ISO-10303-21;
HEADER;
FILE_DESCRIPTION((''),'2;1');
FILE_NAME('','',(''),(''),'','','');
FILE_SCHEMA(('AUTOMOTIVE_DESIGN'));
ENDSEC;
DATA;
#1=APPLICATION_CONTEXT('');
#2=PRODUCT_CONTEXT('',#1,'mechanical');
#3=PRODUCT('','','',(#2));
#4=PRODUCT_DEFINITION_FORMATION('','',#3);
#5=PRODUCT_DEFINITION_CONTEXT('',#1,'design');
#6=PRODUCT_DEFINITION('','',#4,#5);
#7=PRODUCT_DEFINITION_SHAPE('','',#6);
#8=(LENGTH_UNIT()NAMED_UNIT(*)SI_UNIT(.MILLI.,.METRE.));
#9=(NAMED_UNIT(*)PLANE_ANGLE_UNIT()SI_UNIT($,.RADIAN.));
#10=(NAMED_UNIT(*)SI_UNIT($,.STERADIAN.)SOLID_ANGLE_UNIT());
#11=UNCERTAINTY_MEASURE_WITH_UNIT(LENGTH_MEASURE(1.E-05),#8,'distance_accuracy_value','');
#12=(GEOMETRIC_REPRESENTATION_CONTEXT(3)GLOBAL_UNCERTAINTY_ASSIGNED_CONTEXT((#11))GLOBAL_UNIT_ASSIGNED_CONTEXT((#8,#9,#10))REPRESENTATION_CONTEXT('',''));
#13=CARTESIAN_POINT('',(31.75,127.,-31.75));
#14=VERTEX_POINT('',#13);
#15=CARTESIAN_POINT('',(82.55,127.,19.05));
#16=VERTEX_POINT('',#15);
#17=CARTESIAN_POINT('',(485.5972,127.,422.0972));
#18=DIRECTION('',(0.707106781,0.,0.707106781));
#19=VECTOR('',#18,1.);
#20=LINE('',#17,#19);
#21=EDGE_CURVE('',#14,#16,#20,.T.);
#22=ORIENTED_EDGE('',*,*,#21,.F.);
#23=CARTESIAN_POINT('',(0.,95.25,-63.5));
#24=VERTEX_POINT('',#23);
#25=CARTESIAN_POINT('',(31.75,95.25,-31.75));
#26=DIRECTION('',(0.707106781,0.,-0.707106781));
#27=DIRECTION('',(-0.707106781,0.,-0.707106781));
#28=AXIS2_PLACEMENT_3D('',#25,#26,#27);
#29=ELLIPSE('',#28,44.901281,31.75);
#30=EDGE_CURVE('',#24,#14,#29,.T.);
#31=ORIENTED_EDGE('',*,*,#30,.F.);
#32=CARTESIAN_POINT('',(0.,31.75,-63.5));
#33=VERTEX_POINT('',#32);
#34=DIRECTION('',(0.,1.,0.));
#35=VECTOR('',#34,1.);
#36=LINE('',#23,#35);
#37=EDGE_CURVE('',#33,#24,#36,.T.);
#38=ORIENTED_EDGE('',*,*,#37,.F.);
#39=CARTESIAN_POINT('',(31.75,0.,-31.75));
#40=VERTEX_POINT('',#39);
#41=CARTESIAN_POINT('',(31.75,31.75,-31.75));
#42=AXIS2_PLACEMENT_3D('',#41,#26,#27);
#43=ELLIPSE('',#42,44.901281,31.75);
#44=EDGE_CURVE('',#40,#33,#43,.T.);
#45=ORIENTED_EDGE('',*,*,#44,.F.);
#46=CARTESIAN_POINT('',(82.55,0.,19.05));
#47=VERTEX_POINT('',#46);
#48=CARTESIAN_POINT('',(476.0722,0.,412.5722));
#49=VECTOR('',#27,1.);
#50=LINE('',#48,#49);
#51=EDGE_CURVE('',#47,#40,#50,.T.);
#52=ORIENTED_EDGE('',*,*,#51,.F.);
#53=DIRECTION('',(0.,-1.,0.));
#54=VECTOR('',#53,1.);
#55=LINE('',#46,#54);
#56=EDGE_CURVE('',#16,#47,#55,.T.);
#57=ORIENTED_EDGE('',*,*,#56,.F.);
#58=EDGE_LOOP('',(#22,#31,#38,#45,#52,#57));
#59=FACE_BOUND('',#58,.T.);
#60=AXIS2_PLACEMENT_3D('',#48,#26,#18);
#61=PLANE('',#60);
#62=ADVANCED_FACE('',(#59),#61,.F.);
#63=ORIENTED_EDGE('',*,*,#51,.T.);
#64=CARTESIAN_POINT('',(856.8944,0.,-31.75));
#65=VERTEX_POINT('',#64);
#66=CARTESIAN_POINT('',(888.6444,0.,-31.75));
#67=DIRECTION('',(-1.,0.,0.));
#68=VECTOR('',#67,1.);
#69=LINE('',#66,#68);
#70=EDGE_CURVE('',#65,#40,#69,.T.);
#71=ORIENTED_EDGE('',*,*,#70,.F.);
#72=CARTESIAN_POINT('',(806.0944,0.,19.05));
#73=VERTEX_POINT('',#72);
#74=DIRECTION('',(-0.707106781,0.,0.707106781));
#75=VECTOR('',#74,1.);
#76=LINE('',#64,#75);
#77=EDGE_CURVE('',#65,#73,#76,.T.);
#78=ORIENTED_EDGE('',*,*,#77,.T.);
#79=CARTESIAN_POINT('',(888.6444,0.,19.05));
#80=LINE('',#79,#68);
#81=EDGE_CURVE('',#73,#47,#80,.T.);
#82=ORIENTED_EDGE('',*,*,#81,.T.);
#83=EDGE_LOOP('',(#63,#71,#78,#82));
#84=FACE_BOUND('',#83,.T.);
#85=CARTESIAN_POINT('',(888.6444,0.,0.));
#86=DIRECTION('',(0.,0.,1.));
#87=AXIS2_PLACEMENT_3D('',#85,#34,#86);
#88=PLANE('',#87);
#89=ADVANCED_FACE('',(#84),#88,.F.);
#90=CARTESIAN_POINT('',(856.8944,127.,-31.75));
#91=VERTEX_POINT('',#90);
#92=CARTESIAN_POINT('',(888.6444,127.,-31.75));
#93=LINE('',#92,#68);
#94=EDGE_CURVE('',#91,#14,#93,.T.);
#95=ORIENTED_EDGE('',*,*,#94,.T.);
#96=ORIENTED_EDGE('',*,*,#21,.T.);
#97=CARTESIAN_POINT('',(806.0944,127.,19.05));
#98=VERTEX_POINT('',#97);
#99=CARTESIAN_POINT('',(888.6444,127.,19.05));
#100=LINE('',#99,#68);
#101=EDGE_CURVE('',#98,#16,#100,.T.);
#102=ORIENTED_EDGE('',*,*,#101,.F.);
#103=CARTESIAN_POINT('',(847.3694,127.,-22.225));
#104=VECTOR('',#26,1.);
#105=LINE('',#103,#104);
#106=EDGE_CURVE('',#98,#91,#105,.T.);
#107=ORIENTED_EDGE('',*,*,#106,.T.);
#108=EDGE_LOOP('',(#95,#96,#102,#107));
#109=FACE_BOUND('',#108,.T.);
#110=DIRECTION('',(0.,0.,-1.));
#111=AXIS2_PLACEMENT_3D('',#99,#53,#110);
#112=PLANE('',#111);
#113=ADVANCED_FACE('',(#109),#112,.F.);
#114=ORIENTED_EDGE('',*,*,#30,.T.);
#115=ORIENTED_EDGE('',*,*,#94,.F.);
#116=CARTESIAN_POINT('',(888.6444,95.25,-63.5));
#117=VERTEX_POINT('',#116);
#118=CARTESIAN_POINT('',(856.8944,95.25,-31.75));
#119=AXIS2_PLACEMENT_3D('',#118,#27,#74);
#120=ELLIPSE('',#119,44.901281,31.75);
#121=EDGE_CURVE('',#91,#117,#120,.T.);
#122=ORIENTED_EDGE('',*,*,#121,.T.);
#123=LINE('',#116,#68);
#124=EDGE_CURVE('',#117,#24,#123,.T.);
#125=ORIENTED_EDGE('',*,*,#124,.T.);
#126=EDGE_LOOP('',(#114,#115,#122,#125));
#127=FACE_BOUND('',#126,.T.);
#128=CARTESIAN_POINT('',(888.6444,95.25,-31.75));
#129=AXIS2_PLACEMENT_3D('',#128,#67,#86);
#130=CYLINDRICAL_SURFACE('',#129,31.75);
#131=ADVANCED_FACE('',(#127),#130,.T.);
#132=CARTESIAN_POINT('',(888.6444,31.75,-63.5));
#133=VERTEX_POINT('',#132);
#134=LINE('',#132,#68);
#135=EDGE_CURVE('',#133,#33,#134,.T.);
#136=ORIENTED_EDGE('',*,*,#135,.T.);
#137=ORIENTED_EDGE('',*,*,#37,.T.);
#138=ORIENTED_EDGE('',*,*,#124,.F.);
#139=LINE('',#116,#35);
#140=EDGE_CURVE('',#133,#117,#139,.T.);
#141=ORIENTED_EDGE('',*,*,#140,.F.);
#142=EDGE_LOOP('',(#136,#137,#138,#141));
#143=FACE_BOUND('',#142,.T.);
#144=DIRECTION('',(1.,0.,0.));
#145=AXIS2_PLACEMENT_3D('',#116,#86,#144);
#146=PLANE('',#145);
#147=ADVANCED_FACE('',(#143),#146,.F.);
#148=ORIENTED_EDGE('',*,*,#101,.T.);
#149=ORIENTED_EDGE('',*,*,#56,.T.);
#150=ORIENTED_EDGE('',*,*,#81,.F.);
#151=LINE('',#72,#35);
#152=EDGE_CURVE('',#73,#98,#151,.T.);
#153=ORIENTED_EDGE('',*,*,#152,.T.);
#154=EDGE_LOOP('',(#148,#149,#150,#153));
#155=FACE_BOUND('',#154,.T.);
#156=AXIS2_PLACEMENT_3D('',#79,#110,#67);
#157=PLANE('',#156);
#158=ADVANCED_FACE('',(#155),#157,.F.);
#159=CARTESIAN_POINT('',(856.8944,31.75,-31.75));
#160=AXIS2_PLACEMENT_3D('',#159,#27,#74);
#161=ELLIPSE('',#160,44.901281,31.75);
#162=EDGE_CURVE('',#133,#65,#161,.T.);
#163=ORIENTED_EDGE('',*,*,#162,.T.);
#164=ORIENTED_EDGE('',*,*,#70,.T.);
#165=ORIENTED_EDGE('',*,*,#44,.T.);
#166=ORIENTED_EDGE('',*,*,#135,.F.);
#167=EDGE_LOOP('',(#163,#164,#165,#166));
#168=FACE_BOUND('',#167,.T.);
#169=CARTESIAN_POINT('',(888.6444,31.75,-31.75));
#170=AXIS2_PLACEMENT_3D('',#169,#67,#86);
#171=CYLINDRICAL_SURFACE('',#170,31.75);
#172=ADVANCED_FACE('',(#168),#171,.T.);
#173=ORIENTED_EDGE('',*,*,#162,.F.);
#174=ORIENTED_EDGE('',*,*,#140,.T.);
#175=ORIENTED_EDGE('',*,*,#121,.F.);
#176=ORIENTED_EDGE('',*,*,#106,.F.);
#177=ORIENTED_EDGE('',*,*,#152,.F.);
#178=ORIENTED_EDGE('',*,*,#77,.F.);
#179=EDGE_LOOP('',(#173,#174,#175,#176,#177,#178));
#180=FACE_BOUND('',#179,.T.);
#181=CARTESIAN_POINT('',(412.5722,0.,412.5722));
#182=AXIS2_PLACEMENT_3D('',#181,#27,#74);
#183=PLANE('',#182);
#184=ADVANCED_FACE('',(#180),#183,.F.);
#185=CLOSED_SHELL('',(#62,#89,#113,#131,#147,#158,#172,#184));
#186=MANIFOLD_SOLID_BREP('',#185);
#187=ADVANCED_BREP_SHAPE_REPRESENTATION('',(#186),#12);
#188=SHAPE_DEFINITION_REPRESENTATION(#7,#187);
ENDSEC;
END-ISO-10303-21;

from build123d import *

# Parameters (mm, degrees)
BOSS_EXTRUDE1_DEPTH = 888.6444
SKETCH2_W           = 344.402501539
SKETCH2_H           = 780.457540958
CUT_EXTRUDE1_DEPTH  = 59.371664787


with BuildPart() as part:
    # Sketch1 → Boss-Extrude1 (new body)
    with BuildSketch(Plane(origin=(0, 0, 0), x_dir=(0, 0, -1), z_dir=(1, 0, 0))):
        with BuildLine():
            Line((0, 0), (31.75, 0))
            ThreePointArc((31.75, 0), (54.200640303, 9.299359697), (63.5, 31.75))
            Line((63.5, 31.75), (63.5, 95.25))
            ThreePointArc((63.5, 95.25), (54.200640303, 117.700640303), (31.75, 127))
            Line((31.75, 127), (0, 127))
            Line((0, 127), (-19.05, 127))
            Line((-19.05, 127), (-19.05, 0))
            Line((-19.05, 0), (0, 0))
        make_face()
    extrude(amount=BOSS_EXTRUDE1_DEPTH)

    # Sketch2 → Cut-Extrude1 (cut, through all)
    with BuildSketch(Plane(origin=(412.5722, 0, 412.5722), x_dir=(0, 1, 0), z_dir=(0.707106781, 0, 0.707106781))):
        with Locations((32.995160032, -673.267761909)):
            Rectangle(SKETCH2_W, SKETCH2_H)
    cut_extrude1 = extrude(amount=CUT_EXTRUDE1_DEPTH, mode=Mode.SUBTRACT)

    # Mirror1: Cut-Extrude1 across plane
    add(cut_extrude1.mirror(Plane(origin=(444.3222, 0, 0), x_dir=(0, 0, 1), z_dir=(1, 0, 0))), mode=Mode.SUBTRACT)


solid = part.part
